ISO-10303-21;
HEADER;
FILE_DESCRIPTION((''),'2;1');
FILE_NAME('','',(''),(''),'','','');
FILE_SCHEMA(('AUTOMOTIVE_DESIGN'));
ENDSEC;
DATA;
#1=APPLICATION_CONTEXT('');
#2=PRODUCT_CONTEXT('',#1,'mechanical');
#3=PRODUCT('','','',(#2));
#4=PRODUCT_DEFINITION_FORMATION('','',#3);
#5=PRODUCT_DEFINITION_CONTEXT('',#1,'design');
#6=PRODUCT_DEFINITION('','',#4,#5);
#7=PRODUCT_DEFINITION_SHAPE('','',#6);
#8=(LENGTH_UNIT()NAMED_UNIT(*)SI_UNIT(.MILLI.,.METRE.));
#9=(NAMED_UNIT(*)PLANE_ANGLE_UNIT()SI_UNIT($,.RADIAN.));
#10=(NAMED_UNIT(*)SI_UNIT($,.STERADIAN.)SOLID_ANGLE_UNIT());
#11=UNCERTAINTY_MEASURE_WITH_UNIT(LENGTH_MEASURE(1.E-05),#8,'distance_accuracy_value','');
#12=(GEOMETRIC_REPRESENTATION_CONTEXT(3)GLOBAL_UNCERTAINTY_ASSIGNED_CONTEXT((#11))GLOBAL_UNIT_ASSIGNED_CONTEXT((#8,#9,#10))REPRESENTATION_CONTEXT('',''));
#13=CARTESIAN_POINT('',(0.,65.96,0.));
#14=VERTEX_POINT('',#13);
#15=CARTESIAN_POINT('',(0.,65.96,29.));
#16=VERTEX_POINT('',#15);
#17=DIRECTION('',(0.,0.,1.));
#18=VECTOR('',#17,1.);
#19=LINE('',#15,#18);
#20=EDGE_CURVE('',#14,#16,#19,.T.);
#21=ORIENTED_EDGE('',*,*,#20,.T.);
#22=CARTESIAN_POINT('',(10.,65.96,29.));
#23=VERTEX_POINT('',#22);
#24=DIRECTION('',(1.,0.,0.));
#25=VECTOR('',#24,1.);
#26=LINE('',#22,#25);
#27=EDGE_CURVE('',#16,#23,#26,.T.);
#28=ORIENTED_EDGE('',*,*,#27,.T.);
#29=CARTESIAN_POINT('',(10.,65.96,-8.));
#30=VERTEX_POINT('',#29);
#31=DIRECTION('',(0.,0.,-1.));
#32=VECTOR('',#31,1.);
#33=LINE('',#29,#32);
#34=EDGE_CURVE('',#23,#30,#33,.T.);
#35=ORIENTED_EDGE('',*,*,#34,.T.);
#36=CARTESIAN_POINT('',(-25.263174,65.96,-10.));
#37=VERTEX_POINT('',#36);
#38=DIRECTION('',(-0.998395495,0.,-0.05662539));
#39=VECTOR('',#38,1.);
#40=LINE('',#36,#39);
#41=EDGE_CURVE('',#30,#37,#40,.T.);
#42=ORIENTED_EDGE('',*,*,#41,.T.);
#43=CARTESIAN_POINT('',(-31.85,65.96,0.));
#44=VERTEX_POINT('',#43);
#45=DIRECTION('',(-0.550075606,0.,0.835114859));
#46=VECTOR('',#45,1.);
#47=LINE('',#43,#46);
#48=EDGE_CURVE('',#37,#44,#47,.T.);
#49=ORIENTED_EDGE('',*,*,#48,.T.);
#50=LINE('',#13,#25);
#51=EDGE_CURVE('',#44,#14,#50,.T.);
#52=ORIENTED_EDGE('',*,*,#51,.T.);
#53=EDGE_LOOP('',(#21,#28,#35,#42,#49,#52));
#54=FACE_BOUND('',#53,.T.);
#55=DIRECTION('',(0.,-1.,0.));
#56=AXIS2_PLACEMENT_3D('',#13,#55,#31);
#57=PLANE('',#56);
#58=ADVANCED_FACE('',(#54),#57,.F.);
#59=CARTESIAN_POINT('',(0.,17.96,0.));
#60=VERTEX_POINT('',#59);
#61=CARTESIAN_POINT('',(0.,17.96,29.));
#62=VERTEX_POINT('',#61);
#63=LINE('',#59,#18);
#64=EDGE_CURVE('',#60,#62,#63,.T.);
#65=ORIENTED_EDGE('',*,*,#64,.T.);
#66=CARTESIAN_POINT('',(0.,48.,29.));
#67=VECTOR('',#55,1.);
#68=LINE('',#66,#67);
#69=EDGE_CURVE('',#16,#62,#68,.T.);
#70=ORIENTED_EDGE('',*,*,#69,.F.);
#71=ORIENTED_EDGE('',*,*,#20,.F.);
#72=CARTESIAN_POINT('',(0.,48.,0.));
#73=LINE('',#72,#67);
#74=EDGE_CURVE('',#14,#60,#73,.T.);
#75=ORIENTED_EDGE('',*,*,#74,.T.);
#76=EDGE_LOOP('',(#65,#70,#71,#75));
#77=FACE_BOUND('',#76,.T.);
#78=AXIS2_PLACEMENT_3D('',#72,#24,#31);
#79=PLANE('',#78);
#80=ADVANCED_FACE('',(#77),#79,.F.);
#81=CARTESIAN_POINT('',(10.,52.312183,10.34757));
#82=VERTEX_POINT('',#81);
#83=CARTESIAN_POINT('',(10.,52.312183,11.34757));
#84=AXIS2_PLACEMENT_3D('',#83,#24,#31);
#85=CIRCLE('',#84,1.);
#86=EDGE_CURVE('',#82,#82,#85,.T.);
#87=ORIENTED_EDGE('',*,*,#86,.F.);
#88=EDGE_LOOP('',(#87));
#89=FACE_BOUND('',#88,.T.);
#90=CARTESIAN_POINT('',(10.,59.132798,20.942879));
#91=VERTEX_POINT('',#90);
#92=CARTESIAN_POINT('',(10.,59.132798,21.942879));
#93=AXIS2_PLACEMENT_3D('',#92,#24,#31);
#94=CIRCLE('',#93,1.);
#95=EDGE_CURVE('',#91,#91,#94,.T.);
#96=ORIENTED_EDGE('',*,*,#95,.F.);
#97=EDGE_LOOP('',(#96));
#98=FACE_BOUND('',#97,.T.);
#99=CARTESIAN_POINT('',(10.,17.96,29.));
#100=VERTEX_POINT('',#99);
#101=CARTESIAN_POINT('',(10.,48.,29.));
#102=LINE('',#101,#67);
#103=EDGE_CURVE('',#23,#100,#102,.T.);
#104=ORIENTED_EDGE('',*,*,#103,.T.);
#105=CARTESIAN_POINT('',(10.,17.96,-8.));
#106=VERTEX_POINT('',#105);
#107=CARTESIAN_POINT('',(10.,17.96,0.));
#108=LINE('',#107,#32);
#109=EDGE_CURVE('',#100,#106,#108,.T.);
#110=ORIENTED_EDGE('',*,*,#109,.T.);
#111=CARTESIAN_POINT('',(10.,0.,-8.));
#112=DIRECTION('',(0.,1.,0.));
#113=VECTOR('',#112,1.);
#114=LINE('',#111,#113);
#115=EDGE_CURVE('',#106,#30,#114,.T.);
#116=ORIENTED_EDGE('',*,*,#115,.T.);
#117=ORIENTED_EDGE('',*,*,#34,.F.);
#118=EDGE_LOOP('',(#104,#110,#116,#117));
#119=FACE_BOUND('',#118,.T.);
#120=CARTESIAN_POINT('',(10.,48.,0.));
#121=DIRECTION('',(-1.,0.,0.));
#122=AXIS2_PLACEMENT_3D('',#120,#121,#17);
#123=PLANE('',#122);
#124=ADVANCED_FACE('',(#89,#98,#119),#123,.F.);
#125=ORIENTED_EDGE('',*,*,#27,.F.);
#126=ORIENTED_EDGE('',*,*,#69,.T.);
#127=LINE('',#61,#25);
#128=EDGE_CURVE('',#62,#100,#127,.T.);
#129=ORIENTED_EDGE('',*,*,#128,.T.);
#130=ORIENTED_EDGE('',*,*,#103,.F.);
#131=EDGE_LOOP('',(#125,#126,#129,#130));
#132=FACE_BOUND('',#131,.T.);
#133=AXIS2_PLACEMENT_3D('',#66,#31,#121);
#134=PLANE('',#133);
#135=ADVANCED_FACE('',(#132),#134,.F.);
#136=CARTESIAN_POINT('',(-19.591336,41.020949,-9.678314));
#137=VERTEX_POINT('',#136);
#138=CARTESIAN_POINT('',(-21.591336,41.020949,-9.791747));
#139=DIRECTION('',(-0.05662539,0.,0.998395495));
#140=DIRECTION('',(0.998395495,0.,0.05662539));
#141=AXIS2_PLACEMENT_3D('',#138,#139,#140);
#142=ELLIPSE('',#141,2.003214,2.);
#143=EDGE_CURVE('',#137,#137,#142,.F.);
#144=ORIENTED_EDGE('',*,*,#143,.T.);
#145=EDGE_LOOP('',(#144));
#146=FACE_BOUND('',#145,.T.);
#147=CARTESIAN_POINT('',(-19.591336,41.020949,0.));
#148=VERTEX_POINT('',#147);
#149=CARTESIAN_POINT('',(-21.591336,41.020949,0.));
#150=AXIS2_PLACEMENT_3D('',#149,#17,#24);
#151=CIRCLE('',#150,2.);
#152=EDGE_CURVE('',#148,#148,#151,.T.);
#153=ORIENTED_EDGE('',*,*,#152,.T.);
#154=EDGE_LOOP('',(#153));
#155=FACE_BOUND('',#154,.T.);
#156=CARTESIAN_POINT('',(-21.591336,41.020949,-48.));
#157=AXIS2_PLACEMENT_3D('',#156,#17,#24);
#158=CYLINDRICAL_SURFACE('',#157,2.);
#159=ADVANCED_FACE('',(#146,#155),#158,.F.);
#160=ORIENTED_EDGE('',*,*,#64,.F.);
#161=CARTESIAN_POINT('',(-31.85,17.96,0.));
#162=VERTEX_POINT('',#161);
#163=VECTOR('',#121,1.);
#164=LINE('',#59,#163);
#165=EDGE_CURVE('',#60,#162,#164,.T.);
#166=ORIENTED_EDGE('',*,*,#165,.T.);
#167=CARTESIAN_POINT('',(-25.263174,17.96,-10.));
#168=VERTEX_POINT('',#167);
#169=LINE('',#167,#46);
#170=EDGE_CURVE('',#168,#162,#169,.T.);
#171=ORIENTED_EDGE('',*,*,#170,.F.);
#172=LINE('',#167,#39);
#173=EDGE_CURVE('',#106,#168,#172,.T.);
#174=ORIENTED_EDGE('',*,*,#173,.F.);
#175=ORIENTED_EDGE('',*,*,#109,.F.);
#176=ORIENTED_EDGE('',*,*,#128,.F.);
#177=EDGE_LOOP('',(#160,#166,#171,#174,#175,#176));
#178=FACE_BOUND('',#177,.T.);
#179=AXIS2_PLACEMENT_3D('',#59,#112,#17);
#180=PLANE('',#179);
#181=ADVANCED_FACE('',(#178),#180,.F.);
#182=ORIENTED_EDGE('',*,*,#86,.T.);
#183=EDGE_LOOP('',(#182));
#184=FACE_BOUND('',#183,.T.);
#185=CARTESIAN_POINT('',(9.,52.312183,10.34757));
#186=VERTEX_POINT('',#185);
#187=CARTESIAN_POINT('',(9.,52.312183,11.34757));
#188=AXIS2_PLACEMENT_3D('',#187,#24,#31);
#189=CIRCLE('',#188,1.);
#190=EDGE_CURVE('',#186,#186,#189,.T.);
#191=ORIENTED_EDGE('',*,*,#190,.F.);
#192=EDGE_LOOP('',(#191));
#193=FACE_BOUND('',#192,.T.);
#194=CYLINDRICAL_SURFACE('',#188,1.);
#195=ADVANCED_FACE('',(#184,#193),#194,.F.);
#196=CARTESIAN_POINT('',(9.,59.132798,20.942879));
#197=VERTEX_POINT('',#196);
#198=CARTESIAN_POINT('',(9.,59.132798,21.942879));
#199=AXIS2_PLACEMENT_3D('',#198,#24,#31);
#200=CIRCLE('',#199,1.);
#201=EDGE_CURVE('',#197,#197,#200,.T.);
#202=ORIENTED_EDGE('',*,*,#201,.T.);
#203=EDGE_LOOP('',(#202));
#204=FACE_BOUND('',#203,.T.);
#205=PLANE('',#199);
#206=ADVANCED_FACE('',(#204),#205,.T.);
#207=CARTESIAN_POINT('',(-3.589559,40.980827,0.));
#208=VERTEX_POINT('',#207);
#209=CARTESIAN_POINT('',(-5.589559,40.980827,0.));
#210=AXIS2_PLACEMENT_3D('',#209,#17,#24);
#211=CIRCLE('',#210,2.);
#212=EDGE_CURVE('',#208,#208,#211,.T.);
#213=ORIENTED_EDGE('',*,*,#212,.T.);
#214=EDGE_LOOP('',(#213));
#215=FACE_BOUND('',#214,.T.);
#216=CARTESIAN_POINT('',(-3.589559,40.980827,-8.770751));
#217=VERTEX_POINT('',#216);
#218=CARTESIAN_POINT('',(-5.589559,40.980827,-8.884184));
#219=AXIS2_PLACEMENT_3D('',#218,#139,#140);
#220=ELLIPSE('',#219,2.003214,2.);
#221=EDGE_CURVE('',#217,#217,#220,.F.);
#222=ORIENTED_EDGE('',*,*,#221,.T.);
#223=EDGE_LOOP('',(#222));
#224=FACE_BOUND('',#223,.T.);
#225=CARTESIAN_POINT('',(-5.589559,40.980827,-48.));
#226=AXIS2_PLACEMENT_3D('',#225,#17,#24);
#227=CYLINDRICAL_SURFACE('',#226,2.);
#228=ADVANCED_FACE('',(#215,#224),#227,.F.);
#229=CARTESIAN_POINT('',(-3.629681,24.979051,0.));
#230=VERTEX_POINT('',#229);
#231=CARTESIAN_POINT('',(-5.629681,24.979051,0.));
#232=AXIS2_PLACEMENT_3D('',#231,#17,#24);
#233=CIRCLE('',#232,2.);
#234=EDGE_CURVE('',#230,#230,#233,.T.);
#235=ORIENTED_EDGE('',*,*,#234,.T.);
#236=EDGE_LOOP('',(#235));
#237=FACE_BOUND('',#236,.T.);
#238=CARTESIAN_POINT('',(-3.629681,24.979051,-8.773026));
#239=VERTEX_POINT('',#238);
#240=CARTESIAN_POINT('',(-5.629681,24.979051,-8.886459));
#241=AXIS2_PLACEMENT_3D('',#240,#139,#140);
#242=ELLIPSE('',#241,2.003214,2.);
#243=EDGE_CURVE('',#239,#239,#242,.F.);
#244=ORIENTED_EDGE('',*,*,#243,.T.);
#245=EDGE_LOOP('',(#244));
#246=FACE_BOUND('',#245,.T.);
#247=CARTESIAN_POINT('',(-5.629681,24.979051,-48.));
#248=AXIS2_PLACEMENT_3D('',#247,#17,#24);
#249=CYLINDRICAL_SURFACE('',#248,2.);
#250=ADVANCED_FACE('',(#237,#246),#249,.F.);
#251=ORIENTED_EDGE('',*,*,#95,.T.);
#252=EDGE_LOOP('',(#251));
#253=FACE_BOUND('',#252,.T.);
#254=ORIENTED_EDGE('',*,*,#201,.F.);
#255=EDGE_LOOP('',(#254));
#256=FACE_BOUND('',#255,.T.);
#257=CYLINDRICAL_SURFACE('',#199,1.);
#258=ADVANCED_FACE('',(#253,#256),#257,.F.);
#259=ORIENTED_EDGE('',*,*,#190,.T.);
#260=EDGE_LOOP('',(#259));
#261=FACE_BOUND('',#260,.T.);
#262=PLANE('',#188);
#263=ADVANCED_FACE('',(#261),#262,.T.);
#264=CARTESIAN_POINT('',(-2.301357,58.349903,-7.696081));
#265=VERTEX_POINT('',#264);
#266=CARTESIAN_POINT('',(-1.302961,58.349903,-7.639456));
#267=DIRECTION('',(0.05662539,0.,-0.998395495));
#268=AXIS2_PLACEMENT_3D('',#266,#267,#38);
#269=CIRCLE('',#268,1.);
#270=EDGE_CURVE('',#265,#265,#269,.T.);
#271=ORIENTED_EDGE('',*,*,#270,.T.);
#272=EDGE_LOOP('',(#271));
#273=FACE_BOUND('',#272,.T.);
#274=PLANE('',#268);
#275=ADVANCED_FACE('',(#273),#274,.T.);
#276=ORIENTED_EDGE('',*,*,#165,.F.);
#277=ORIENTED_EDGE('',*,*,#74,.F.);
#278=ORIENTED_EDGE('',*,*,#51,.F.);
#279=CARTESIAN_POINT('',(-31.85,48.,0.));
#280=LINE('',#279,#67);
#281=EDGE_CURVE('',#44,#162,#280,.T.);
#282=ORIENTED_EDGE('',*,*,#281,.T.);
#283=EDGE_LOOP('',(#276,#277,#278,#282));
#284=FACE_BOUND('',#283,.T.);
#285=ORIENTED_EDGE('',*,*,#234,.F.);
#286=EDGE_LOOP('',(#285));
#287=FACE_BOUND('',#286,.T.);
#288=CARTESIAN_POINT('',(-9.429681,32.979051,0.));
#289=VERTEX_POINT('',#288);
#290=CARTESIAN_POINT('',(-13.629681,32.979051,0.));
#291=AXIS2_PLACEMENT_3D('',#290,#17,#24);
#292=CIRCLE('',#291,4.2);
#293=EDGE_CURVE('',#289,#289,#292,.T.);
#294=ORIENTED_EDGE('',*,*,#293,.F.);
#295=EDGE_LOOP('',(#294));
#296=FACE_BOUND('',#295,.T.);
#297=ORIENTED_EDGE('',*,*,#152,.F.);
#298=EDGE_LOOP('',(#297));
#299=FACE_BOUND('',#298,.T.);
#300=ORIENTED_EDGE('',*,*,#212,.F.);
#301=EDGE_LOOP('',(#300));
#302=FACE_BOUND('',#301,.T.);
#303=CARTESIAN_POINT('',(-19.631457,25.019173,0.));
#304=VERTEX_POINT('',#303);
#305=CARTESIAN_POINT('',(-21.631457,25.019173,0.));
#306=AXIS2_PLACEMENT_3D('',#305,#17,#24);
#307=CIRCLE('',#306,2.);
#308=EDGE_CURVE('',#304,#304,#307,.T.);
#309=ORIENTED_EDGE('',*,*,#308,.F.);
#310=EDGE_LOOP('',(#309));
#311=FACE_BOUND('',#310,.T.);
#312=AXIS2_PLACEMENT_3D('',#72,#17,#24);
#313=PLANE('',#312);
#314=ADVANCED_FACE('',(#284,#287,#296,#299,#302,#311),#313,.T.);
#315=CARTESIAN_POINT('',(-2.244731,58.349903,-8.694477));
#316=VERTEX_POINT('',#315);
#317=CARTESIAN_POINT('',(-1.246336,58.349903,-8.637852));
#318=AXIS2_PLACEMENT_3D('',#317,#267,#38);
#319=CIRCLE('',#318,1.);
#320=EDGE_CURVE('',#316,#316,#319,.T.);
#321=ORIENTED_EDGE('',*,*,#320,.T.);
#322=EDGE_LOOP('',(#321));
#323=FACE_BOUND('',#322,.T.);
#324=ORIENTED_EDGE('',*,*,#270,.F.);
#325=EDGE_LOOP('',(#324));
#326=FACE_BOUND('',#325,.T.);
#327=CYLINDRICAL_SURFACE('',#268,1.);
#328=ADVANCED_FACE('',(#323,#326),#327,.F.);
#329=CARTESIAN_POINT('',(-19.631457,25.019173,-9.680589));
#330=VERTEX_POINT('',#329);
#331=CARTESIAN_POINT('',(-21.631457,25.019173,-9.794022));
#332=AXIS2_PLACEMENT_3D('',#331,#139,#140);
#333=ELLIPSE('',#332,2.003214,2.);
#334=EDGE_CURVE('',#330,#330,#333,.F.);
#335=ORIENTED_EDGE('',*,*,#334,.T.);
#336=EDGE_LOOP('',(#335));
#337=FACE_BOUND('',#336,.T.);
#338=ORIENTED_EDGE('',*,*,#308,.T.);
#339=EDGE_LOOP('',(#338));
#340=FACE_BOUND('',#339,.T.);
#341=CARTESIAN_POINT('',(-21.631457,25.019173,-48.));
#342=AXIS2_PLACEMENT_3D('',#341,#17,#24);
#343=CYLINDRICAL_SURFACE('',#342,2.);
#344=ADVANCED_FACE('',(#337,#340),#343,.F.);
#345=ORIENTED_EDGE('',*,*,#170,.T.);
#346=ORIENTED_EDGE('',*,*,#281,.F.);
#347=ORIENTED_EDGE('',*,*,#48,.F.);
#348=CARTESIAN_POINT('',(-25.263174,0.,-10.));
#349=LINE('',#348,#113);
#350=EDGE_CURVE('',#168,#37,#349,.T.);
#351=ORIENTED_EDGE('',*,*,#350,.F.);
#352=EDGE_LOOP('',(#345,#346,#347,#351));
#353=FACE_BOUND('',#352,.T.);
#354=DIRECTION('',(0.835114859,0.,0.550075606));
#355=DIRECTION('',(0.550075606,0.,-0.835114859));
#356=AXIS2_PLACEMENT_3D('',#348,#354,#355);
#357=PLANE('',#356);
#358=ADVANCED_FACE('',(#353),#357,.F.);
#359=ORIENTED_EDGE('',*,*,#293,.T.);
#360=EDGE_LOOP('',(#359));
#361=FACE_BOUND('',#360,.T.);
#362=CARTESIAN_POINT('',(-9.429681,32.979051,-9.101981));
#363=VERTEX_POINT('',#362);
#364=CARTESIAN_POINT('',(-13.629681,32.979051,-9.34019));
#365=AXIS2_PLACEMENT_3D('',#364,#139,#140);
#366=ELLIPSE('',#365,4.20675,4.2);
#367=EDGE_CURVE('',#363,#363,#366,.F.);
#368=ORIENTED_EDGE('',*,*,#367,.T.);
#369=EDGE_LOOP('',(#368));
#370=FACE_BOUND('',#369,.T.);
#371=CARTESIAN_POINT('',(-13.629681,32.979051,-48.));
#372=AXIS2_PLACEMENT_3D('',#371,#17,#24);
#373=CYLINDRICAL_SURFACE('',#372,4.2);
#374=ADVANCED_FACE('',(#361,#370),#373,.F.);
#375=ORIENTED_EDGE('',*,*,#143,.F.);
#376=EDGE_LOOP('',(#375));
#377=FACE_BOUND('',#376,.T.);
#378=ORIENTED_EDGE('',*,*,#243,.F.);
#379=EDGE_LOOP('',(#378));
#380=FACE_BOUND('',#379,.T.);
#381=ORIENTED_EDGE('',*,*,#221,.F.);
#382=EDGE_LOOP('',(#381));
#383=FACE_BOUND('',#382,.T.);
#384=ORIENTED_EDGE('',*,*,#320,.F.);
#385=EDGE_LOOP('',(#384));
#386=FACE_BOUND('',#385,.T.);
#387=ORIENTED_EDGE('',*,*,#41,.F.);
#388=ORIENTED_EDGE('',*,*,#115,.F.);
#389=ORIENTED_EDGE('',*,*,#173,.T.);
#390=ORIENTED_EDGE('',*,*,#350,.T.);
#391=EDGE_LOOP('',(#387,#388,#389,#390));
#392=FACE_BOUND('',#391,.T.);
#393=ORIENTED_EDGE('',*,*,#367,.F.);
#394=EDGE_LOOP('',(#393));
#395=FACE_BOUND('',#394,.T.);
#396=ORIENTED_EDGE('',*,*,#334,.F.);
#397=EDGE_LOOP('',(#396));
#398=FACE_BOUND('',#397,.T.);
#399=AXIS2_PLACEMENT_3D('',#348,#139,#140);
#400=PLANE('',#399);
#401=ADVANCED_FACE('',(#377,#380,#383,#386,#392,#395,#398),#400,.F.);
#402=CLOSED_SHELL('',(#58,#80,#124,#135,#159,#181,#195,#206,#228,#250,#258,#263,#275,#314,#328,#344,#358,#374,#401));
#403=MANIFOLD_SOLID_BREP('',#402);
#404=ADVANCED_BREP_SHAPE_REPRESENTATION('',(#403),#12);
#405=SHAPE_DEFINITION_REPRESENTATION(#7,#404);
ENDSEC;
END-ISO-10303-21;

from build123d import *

# Parameters (mm, degrees)
SKETCH1_W           = 41.85
SKETCH1_H           = 10
SKETCH1_W_2         = 10
SKETCH1_H_2         = 29
BOSS_EXTRUDE1_DEPTH = 48
CUT_EXTRUDE1_DEPTH  = 48
SKETCH4_R           = 2
SKETCH4_R_2         = 4.2
CUT_EXTRUDE2_DEPTH  = 48
CUT_EXTRUDE3_DEPTH  = 48
SKETCH6_R           = 1
CUT_EXTRUDE4_DEPTH  = 2
SKETCH7_R           = 1
CUT_EXTRUDE5_DEPTH  = 1
SKETCH8_W           = 65.86504954
SKETCH8_H           = 108.734415267
CUT_EXTRUDE6_DEPTH  = 17.96
BOSS_EXTRUDE2_DEPTH = 17.96
SKETCH10_R          = 1
CUT_EXTRUDE7_DEPTH  = 1
SKETCH11_R          = 1
CUT_EXTRUDE8_DEPTH  = 1


with BuildPart() as part:
    # Sketch1 → Boss-Extrude1 (new body)
    with BuildSketch(Plane(origin=(0, 0, 0), x_dir=(1, 0, 0), z_dir=(0, 1, 0))):
        with Locations((-10.925, 5)):
            Rectangle(SKETCH1_W, SKETCH1_H)
        with Locations((5, -14.5)):
            Rectangle(SKETCH1_W_2, SKETCH1_H_2)
    extrude(amount=BOSS_EXTRUDE1_DEPTH)

    # Sketch3 → Cut-Extrude1 (cut)
    with BuildSketch(Plane(origin=(0, 48, 0), x_dir=(1, 0, 0), z_dir=(0, 1, 0))):
        Polygon((-31.85, 10), (-25.26317425, 10), (-31.85, 0), align=None)
    extrude(amount=-CUT_EXTRUDE1_DEPTH, mode=Mode.SUBTRACT)

    # Sketch4 → Cut-Extrude2 (cut)
    with BuildSketch(Plane.XY):
        with Locations((-5.589559388, 40.980827232)):
            Circle(SKETCH4_R)
        with Locations((-5.629681083, 24.979051073)):
            Circle(SKETCH4_R)
        with Locations((-21.591335547, 41.020948927)):
            Circle(SKETCH4_R)
        with Locations((-21.631457243, 25.019172768)):
            Circle(SKETCH4_R)
        with Locations((-13.629681083, 32.979051073)):
            Circle(SKETCH4_R_2)
    extrude(amount=-CUT_EXTRUDE2_DEPTH, mode=Mode.SUBTRACT)

    # Sketch5 → Cut-Extrude3 (cut)
    with BuildSketch(Plane(origin=(0, 48, 0), x_dir=(1, 0, 0), z_dir=(0, 1, 0))):
        Polygon((-25.26317425, 10), (10, 8), (10, 10), align=None)
    extrude(amount=-CUT_EXTRUDE3_DEPTH, mode=Mode.SUBTRACT)

    # Sketch6 → Cut-Extrude4 (cut)
    with BuildSketch(Plane(origin=(10, 0, 0), x_dir=(0, 0, -1), z_dir=(1, 0, 0))):
        with Locations((-21, 6.391948522)):
            Circle(SKETCH6_R)
        with Locations((-11, 15)):
            Circle(SKETCH6_R)
    extrude(amount=-CUT_EXTRUDE4_DEPTH, mode=Mode.SUBTRACT)

    # Sketch7 → Cut-Extrude5 (cut)
    with BuildSketch(Plane(origin=(0.484340621, 0, -8.539693864), x_dir=(-0.9983954953921488, 0, -0.056625389894163713), z_dir=(0.056625389894163713, 0, -0.9983954953921488))):
        with Locations((10.469048165, 7)):
            Circle(SKETCH7_R)
    extrude(amount=-CUT_EXTRUDE5_DEPTH, mode=Mode.SUBTRACT)

    # Sketch8 → Cut-Extrude6 (cut)
    with BuildSketch(Plane.XZ):
        with Locations((-12.632558392, 5.858470362)):
            Rectangle(SKETCH8_W, SKETCH8_H)
    extrude(amount=-CUT_EXTRUDE6_DEPTH, mode=Mode.SUBTRACT)

    # Sketch9 → Boss-Extrude2 (add)
    with BuildSketch(Plane(origin=(0, 48, 0), x_dir=(1, 0, 0), z_dir=(0, 1, 0))):
        Polygon((10, -29), (0, -29), (0, 0), (-31.85, 0), (-25.26317425, 10), (10, 8), align=None)
    extrude(amount=BOSS_EXTRUDE2_DEPTH)

    # Sketch10 → Cut-Extrude7 (cut)
    with BuildSketch(Plane(origin=(10, 0, 0), x_dir=(0, 0, -1), z_dir=(1, 0, 0))):
        with Locations((-21.942879274, 59.132798009)):
            Circle(SKETCH10_R)
        with Locations((-11.347569505, 52.312182855)):
            Circle(SKETCH10_R)
    extrude(amount=-CUT_EXTRUDE7_DEPTH, mode=Mode.SUBTRACT)

    # Sketch11 → Cut-Extrude8 (cut)
    with BuildSketch(Plane(origin=(0.484340621, 0, -8.539693864), x_dir=(-0.9983954953921488, 0, -0.056625389894163713), z_dir=(0.056625389894163713, 0, -0.9983954953921488))):
        with Locations((1.733457751, 58.349902704)):
            Circle(SKETCH11_R)
    extrude(amount=-CUT_EXTRUDE8_DEPTH, mode=Mode.SUBTRACT)


solid = part.part
